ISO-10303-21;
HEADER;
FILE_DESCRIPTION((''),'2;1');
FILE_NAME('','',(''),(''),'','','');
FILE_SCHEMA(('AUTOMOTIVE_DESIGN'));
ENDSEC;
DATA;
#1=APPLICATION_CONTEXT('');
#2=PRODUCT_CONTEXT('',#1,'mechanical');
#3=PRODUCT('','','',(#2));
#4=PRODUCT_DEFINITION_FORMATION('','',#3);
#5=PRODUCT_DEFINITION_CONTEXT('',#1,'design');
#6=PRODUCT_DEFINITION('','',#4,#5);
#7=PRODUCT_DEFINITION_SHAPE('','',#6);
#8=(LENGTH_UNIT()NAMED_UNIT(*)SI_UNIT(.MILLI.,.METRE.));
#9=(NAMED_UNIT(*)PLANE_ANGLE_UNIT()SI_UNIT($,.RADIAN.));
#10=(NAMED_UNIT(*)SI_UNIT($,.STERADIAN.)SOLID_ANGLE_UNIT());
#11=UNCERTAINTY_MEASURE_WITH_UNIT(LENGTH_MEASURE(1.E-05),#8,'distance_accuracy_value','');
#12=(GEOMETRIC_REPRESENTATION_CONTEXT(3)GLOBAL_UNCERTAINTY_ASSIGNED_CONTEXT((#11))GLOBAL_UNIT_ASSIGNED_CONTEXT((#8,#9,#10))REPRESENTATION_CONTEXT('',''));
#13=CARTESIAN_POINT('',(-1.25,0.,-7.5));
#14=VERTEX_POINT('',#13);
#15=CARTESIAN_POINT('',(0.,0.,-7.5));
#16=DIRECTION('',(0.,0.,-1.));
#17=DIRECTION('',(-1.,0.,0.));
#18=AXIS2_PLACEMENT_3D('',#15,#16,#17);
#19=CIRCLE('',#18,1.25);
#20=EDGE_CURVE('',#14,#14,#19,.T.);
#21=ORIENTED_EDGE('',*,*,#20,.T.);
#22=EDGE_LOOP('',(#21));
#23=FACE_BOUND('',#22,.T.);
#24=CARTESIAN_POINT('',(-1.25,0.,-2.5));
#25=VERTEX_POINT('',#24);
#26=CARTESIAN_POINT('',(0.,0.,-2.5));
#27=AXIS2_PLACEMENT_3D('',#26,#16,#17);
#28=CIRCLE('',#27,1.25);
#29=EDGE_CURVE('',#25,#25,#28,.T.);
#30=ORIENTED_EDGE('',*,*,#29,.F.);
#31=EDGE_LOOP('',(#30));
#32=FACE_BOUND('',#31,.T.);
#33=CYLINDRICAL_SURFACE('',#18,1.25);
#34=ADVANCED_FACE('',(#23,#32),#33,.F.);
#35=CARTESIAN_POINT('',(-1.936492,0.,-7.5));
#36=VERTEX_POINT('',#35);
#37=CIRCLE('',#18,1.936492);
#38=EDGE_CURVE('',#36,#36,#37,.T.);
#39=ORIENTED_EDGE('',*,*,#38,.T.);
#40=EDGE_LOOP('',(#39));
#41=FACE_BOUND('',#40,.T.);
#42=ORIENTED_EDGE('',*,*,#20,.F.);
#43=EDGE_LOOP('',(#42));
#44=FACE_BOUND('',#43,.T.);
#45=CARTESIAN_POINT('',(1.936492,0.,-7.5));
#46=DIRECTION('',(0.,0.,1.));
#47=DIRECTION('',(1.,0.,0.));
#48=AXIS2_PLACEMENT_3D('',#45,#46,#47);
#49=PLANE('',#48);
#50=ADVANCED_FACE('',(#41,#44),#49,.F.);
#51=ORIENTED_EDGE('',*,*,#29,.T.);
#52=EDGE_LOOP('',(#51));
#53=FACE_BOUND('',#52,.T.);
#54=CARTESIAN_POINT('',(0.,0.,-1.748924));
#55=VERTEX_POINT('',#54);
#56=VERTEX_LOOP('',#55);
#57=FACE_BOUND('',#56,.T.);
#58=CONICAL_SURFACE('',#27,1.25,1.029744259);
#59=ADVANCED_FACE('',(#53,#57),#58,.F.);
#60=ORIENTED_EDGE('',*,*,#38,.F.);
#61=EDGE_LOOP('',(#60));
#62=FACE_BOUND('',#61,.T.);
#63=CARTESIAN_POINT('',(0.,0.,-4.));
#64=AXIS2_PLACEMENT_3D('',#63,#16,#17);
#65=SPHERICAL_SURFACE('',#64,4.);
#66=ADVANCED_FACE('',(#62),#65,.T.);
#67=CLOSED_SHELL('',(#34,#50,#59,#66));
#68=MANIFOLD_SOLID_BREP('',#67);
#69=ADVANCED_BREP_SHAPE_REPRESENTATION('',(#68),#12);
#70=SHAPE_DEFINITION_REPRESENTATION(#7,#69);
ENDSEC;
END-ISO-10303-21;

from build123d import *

# Parameters (mm, degrees)
M3X0_5_TAPPED_HOLE1_D     = 2.5
M3X0_5_TAPPED_HOLE1_DEPTH = 5
M3X0_5_TAPPED_HOLE1_TIP   = 0.751075774


with BuildPart() as part:
    # Sketch2 → Revolve1 (revolve)
    with BuildSketch(Plane(origin=(0, 0, 0), x_dir=(1, 0, 0), z_dir=(0, 1, 0)), mode=Mode.PRIVATE) as revolve1_sk:
        with BuildLine():
            Line((1.936491673, 7.5), (0, 7.5))
            Line((0, 7.5), (0, 0))
            ThreePointArc((0, 0), (3.872983346, 3), (1.936491673, 7.5))
        make_face()
    revolve(revolve1_sk.sketch.rotate(Axis((0, 0, -7.5), (0, 0, 1)), 180), axis=Axis((0, 0, -7.5), (0, 0, 1)))

    # M3x0.5 Tapped Hole1
    with Locations(Plane(origin=(0, 0, -7.5), x_dir=(-1, 0, 0), z_dir=(0, 0, -1))):
        with Locations((0, 0)):
            Hole(M3X0_5_TAPPED_HOLE1_D / 2, depth=M3X0_5_TAPPED_HOLE1_DEPTH)
            with Locations((0, 0, -(M3X0_5_TAPPED_HOLE1_DEPTH + M3X0_5_TAPPED_HOLE1_TIP / 2))):  # 118° drill point
                Cone(0, M3X0_5_TAPPED_HOLE1_D / 2, M3X0_5_TAPPED_HOLE1_TIP, mode=Mode.SUBTRACT)


solid = part.part
